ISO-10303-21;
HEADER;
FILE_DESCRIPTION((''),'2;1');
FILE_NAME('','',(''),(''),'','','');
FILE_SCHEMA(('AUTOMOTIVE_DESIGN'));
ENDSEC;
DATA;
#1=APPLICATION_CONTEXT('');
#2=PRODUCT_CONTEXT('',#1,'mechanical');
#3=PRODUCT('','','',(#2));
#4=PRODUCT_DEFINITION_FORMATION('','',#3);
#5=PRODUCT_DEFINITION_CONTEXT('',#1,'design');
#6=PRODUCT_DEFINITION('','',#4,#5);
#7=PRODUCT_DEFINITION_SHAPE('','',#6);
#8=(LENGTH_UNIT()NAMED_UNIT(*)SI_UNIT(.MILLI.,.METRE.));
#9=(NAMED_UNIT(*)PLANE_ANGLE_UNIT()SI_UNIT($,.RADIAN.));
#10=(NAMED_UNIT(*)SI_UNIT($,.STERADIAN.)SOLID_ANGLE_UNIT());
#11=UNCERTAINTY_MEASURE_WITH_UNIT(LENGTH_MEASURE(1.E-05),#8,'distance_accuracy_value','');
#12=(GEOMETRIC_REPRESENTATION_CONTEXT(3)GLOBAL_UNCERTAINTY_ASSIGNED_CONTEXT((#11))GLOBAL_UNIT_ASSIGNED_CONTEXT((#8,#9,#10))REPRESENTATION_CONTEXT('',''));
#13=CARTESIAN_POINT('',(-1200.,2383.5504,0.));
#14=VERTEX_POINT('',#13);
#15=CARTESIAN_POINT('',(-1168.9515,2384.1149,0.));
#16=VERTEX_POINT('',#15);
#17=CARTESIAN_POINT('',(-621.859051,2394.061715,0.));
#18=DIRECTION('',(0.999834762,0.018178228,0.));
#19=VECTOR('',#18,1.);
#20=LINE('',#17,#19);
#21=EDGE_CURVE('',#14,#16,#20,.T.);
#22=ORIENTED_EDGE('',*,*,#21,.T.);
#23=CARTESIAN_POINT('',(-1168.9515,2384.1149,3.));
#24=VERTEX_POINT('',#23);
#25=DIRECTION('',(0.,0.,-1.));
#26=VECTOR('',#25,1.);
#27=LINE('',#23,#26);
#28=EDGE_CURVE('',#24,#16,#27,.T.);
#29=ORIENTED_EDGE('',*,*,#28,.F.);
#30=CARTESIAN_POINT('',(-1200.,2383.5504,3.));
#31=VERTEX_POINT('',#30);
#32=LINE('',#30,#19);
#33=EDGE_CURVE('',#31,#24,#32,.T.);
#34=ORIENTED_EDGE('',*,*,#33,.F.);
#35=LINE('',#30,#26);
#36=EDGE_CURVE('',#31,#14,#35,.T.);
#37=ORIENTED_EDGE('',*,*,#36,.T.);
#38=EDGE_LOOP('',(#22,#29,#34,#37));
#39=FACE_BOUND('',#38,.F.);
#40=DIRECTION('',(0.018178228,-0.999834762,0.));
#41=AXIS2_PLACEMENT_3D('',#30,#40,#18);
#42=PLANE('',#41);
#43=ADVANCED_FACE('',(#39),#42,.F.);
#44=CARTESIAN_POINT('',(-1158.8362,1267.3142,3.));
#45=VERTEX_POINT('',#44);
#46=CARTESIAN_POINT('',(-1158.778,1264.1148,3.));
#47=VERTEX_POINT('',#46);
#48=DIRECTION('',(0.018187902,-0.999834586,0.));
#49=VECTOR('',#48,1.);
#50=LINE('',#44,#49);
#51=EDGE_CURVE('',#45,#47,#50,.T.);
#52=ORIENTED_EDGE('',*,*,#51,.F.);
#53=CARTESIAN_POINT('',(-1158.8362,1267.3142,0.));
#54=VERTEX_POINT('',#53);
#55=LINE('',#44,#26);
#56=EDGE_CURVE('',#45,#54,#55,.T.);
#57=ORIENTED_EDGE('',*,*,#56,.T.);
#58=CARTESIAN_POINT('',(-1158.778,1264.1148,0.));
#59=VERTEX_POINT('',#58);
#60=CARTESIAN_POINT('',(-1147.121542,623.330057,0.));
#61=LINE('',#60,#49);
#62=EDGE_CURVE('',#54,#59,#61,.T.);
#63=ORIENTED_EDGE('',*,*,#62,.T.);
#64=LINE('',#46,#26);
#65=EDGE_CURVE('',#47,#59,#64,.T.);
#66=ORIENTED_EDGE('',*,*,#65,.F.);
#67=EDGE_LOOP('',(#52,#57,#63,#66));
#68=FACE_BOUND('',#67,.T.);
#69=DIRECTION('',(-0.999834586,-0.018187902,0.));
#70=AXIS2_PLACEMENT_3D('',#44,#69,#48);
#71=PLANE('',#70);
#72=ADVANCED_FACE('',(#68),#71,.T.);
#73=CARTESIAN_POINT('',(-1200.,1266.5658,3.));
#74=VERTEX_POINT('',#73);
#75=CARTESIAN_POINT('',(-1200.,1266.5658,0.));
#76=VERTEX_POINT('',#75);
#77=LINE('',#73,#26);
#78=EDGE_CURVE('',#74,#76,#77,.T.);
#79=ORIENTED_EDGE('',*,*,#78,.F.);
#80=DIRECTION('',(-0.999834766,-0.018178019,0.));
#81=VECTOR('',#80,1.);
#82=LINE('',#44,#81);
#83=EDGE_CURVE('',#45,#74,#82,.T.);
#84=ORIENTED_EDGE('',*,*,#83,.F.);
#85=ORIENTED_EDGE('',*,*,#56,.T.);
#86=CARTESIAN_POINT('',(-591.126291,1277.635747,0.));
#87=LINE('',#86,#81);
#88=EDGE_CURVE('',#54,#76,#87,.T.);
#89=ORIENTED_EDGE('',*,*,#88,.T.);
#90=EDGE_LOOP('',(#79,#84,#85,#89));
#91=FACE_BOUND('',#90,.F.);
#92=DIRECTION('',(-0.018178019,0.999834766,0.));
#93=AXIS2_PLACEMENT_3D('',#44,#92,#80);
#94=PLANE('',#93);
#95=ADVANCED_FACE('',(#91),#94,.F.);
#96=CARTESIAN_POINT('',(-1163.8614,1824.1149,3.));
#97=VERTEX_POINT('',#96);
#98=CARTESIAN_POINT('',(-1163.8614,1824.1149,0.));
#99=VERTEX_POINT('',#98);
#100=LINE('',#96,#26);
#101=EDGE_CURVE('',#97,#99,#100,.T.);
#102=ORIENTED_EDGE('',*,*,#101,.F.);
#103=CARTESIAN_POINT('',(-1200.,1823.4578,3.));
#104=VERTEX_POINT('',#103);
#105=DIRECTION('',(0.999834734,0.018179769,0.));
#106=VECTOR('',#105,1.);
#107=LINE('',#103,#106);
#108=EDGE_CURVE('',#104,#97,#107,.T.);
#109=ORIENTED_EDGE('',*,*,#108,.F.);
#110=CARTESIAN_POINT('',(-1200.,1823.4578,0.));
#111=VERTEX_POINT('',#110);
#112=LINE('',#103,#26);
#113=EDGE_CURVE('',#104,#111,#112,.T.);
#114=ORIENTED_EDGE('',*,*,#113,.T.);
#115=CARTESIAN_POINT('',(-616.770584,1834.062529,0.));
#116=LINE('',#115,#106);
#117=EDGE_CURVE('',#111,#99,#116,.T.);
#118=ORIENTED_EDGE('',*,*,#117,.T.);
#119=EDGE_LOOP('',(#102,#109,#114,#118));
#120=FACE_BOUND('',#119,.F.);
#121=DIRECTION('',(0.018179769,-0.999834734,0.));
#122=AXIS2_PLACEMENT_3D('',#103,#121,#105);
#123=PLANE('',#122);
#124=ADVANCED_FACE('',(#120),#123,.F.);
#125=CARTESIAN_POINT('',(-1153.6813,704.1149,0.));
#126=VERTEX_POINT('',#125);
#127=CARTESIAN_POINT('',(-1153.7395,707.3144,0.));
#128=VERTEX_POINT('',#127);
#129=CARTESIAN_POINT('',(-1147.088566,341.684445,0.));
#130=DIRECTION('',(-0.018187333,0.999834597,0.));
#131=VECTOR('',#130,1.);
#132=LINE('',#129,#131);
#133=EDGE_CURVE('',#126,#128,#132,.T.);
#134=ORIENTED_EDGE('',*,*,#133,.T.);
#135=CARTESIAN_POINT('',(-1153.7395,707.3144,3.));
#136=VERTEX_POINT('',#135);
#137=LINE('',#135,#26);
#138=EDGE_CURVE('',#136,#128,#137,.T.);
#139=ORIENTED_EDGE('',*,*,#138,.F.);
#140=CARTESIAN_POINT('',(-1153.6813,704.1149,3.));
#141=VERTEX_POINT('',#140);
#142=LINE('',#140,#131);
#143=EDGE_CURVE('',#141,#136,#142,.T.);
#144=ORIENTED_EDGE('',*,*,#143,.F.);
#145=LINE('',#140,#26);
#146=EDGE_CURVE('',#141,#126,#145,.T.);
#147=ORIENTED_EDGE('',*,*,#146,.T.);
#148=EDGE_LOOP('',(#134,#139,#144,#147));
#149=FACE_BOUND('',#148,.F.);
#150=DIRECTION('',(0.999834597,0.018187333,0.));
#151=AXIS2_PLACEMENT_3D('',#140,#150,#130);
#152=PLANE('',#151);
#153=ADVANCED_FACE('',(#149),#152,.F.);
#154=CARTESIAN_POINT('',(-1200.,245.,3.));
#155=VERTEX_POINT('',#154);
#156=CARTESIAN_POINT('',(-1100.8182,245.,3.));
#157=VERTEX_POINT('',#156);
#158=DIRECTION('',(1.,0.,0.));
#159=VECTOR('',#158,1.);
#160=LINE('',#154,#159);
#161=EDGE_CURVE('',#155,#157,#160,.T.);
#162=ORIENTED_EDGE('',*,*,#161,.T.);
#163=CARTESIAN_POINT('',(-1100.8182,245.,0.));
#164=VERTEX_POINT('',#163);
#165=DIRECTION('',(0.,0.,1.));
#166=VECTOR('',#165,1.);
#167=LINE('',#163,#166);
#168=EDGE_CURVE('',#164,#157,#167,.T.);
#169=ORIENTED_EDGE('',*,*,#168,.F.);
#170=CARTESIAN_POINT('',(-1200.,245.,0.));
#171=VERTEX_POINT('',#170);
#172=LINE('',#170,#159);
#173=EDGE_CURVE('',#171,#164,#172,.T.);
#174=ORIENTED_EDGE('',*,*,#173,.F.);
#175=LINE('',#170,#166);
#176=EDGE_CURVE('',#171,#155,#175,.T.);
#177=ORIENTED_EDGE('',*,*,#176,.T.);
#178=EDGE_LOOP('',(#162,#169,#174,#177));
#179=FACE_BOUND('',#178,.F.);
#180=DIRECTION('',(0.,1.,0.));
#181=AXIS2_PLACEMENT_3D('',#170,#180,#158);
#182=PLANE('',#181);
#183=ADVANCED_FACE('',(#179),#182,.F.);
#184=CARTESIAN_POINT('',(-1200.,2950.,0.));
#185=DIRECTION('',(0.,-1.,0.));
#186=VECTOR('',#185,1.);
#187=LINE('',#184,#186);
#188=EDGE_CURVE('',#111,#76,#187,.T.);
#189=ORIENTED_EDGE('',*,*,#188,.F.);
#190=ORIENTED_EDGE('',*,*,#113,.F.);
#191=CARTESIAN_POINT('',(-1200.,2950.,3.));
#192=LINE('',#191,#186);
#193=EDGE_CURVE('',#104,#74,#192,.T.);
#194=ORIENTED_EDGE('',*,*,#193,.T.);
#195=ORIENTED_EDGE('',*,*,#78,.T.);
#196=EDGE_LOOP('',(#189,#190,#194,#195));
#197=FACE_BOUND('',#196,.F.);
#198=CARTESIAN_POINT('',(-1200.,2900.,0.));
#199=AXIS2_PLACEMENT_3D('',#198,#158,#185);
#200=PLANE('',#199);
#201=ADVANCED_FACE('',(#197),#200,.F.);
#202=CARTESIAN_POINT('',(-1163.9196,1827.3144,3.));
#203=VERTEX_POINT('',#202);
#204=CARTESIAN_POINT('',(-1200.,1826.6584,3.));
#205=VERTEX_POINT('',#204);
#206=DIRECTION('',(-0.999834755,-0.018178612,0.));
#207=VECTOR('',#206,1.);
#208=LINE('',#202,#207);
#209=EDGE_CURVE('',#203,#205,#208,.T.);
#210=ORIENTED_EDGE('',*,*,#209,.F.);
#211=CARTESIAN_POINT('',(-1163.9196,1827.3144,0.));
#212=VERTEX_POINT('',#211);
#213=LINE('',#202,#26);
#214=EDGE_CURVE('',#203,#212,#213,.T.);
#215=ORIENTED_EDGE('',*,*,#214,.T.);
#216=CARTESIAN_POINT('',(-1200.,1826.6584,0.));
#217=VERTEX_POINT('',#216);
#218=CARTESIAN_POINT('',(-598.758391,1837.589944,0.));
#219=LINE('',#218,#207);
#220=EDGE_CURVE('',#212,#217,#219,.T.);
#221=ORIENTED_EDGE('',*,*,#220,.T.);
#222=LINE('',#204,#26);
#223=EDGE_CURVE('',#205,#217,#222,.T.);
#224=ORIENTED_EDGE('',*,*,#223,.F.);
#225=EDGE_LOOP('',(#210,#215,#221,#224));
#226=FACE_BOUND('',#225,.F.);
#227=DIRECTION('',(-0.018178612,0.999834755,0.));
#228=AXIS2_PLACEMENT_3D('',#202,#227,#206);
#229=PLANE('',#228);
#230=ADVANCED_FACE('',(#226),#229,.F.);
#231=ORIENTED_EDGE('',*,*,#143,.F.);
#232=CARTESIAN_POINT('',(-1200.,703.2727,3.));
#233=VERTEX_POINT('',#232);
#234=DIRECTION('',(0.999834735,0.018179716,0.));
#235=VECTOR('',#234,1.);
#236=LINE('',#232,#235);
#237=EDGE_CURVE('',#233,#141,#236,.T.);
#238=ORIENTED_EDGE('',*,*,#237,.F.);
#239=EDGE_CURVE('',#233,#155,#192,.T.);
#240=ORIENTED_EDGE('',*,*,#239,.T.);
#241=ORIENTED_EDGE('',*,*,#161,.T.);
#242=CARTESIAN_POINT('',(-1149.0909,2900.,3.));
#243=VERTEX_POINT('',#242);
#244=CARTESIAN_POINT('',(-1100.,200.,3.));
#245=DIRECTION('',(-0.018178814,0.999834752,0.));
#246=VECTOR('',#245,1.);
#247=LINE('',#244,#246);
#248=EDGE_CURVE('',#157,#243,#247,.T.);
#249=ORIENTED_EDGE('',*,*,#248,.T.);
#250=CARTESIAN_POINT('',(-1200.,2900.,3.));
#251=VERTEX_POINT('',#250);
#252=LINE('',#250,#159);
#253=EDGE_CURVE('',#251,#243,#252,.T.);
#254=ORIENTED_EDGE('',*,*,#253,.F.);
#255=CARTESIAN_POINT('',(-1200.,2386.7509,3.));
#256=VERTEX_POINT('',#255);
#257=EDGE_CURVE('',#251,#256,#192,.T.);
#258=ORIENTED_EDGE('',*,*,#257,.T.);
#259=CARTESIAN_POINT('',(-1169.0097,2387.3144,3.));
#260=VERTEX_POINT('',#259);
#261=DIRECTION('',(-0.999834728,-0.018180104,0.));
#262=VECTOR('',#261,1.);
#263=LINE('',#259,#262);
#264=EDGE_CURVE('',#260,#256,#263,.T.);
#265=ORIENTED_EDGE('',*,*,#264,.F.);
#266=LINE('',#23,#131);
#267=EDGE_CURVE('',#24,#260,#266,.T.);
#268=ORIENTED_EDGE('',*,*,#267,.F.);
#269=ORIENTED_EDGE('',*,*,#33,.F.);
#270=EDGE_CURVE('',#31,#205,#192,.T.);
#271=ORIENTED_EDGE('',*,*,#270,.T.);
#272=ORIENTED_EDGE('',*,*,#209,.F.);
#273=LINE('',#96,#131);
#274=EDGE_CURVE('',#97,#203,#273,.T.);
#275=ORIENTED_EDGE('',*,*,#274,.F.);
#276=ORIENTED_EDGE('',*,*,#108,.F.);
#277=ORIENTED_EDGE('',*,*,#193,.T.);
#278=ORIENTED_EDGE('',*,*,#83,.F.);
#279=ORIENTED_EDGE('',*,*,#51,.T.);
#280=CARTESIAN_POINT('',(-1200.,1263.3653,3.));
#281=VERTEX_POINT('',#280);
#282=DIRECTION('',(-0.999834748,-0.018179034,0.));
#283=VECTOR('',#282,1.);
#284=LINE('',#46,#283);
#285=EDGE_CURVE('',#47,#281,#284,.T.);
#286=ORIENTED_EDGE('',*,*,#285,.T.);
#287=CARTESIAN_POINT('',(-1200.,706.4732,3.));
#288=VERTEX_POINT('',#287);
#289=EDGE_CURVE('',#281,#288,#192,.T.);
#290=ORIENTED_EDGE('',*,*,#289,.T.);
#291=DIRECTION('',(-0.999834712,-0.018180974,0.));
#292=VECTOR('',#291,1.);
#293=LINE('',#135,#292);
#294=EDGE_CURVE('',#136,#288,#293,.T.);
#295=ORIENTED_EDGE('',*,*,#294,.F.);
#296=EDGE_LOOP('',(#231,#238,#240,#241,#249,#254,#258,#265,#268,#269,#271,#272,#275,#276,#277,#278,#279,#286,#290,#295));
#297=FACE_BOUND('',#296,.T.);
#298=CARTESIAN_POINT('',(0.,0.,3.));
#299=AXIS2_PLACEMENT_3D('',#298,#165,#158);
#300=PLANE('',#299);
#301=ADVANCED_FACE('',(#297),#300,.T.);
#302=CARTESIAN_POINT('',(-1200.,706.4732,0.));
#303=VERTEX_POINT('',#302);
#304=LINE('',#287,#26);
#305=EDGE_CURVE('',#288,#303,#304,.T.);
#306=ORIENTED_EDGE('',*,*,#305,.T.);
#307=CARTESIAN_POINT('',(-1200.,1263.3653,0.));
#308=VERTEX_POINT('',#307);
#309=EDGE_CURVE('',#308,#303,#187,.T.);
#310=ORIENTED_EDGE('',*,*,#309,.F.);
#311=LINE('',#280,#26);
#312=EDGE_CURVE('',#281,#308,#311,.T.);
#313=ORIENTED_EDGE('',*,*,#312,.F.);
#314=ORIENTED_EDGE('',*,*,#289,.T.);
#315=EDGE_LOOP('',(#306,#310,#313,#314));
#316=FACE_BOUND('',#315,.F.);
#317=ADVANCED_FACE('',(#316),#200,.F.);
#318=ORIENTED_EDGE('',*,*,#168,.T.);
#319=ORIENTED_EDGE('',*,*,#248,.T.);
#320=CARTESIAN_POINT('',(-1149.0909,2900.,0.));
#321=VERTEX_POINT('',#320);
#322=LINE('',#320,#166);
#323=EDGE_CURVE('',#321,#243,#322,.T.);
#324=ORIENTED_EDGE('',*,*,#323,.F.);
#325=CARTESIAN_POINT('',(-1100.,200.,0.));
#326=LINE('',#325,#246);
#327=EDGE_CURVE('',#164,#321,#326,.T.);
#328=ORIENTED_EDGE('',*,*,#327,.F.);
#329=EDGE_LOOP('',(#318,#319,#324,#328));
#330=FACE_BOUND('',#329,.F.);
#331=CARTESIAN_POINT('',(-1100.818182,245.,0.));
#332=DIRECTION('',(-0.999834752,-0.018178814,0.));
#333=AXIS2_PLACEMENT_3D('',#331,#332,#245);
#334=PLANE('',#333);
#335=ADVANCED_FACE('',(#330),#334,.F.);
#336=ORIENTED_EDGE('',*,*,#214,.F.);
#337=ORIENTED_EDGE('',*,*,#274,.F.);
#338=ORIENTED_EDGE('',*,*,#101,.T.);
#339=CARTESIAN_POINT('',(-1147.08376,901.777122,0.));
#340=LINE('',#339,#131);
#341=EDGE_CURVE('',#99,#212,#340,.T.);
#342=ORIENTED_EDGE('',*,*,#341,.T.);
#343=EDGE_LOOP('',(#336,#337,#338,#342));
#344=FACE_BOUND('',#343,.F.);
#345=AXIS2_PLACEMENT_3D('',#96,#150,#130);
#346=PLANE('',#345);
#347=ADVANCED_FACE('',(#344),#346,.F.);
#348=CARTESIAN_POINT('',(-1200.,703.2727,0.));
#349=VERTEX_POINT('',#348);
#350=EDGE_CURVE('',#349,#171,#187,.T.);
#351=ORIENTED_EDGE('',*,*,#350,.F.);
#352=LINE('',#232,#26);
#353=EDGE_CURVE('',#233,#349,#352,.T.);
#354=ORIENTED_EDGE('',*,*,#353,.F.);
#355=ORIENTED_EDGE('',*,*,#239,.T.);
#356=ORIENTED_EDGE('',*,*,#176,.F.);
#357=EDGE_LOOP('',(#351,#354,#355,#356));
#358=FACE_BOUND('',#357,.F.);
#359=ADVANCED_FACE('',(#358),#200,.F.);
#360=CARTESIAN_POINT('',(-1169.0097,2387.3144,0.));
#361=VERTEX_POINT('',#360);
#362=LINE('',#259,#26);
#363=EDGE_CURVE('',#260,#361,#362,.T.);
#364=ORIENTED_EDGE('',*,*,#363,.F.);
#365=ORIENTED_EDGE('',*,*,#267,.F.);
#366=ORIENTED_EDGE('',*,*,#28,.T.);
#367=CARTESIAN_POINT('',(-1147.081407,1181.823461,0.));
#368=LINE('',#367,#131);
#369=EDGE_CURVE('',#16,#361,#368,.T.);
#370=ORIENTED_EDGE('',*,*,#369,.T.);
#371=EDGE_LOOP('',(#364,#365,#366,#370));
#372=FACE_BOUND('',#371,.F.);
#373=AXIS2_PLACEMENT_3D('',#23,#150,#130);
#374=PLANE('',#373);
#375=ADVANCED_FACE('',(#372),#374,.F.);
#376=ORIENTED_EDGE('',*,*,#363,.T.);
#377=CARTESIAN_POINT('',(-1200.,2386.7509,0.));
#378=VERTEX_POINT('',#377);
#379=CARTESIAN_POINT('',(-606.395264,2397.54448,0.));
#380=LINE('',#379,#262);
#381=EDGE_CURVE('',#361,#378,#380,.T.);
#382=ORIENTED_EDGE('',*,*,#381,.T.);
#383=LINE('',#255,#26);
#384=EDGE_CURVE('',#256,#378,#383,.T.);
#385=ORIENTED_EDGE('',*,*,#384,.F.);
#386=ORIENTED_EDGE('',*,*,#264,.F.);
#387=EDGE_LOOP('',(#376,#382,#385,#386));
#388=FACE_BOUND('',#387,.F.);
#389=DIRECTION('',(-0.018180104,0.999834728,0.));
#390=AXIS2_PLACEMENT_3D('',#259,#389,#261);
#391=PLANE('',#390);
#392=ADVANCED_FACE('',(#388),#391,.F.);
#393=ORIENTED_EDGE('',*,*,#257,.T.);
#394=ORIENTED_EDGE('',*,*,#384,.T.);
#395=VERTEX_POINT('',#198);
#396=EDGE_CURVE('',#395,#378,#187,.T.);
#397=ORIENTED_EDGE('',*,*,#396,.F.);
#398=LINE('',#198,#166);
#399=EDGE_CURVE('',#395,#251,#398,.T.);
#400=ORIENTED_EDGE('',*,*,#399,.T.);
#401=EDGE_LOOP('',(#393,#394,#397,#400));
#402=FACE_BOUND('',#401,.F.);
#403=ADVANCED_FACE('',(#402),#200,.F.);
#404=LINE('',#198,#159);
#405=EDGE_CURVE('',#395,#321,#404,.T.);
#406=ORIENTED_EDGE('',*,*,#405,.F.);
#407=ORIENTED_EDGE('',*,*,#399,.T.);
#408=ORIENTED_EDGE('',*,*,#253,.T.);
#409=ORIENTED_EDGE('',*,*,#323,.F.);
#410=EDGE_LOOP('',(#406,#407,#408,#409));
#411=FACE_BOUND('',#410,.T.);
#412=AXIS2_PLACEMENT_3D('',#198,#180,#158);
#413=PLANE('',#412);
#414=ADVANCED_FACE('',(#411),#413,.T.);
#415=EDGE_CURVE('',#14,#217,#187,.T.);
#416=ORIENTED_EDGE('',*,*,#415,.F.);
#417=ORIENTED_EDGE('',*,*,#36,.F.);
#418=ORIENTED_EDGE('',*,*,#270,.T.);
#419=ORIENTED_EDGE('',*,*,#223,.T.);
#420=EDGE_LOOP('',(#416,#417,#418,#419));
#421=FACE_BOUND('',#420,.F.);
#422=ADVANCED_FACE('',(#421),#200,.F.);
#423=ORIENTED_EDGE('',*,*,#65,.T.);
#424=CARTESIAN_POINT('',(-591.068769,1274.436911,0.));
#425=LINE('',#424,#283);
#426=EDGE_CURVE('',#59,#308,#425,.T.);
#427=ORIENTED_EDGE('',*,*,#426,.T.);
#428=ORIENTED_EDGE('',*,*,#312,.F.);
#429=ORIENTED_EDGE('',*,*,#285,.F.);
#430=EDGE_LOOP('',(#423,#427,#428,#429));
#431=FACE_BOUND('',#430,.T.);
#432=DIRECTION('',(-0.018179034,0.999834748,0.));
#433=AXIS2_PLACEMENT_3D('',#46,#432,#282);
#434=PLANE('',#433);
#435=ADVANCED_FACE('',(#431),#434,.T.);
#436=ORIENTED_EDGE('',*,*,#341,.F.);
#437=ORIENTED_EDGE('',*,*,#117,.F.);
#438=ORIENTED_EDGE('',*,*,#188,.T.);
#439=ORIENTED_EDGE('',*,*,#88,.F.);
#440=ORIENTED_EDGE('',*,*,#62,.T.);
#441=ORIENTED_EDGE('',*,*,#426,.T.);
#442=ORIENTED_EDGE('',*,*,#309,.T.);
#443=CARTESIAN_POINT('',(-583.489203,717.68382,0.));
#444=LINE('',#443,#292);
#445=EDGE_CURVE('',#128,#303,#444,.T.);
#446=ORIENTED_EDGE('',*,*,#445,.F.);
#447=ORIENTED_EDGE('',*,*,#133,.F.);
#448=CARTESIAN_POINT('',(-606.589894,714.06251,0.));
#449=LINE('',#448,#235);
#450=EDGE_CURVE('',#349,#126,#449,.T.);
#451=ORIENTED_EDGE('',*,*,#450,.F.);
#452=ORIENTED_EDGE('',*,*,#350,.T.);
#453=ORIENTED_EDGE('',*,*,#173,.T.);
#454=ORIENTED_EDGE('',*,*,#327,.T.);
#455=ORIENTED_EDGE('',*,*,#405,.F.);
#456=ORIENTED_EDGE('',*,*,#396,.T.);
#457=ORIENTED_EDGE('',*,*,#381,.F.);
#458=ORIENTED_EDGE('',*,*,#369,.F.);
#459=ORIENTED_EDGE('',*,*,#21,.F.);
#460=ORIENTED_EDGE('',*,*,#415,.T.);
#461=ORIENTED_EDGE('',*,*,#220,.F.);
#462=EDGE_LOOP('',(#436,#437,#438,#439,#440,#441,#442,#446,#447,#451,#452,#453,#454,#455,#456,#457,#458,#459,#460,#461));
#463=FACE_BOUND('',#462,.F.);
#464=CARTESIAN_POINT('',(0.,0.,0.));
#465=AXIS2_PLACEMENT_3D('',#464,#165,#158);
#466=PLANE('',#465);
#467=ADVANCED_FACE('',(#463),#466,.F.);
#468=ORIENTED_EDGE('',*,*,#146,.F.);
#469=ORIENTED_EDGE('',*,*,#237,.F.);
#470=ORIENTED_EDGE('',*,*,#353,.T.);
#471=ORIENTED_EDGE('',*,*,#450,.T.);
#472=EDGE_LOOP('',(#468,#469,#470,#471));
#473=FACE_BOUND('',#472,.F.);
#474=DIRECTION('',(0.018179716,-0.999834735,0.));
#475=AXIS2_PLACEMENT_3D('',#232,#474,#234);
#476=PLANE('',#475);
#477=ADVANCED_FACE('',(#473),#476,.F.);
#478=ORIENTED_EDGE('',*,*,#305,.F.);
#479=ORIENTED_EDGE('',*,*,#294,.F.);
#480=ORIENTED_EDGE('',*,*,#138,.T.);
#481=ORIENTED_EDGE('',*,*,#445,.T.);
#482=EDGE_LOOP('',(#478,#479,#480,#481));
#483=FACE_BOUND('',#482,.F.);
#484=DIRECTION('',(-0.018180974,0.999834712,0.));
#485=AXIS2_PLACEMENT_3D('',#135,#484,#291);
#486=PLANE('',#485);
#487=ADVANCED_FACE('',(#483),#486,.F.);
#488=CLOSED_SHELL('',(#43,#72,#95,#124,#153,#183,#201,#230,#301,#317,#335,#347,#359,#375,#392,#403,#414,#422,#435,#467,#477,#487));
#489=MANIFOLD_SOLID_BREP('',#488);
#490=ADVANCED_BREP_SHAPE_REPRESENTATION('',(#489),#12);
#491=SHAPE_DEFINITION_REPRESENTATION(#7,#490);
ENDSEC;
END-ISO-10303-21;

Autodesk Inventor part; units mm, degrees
ref_plane "YZ Plane" through (0, 0, 0) normal (1, 0, 0) x (0, 1, 0)
ref_plane "XZ Plane" through (0, 0, 0) normal (0, 1, 0) x (-1, 0, 0)
ref_plane "XY Plane" through (0, 0, 0) normal (0, 0, 1) x (1, 0, 0)
sketch "Sketch1" plane through (0, 0, 0) normal (0, 0, 1) x (1, 0, 0)
  line L0 (1200, 2950) -> (-1200, 2950)
  line L1 (-1200, 2950) -> (-1200, 0)
  line L2 (-1200, 0) -> (1200, 0)
  line L3 (1200, 0) -> (1200, 2950)
  line L4 (1150, 2950) -> (1150, 0)
  line L5 (-1150, 0) -> (-1150, 2950) construction
  line L6 (0, 2950) -> (0, 50) construction
  line L7 (-1100, 200) -> (-950, 50)
  line L8 (-1200, 100) -> (-1100, 100)
  line L9 (-1100, 100) -> (-1100, 0)
  line L10 (-1100, 200) -> (-1150, 2950)
  arc A0 (-1100.4545, 224.9959) -> (-1082.3223, 182.3223) centre (-1100, 200) ccw
  arc A1 (-1082.3223, 182.3223) -> (-1100.4545, 224.9959) centre (-1100, 200) ccw construction
  line L11 (-1200, 255) -> (-1101, 255) construction
  line L12 (0, 50) -> (-950, 50)
  line L13 (0, 50) -> (0, 0)
  line L14 (1505.3449, -225.894) -> (355.3449, -225.894)
  line L15 (-1200, 245) -> (-1100.8182, 245)
  line L16 (-1200, 2900) -> (-1149.0909, 2900)
  dimension "d3" = 2400
  dimension "d4" = 2950
  dimension "d5" = 50
  dimension "d6" = 100
  dimension "d7" = 50
  dimension "d9" = 135
  dimension "d10" = 950
  dimension "d11" = 1150
  dimension "d12" = 136.042
  dimension "d13" = 50
  dimension "d14" = 100
  dimension "d15" = 212.132
  dimension "d17" = 55
  dimension "d20" = 200
  dimension "d50" = 2705
  dimension "d53" = 50
extrude "Plate1" add sketch "Sketch1" along normal blind 3 contours L10 L15 L1 L16
sketch "Sketch2" plane through (0, 0, 3) normal (0, 0, 1) x (1, 0, 0)
  line L0 (-1149.0909, 2900) -> (-1100.8182, 245) projected
  line L1 (-1200, 245) -> (-1200, 2900) projected
  line L2 (-1100.8182, 245) -> (-1150, 2950) projected
  line L3 (-1158.8362, 1267.3142) -> (-1158.778, 1264.1148)
  line L4 (-1158.778, 1264.1148) -> (-1119.3606, 1264.8314) construction
  line L5 (-1150, 2950) -> (-1100.8182, 245) projected
  line L6 (-1158.778, 1264.1148) -> (-1200, 1263.3653)
  line L7 (-1158.8362, 1267.3142) -> (-1200, 1266.5658)
  line L8 (-1200, 703.2727) -> (-1153.6813, 704.1149)
  line L9 (-1153.6813, 704.1149) -> (-1153.7395, 707.3144)
  line L10 (-1153.6813, 704.1149) -> (-1109.1804, 704.924) construction
  line L11 (-1153.7395, 707.3144) -> (-1200, 706.4732)
  line L12 (-1200, 1823.4578) -> (-1163.8614, 1824.1149)
  line L13 (-1163.8614, 1824.1149) -> (-1163.9196, 1827.3144)
  line L14 (-1163.9196, 1827.3144) -> (-1200, 1826.6584)
  line L15 (-1163.8614, 1824.1149) -> (-1129.5407, 1824.7389) construction
  line L16 (-1200, 2383.5504) -> (-1168.9515, 2384.1149)
  line L17 (-1168.9515, 2384.1149) -> (-1169.0097, 2387.3144)
  line L18 (-1168.9515, 2384.1149) -> (-1139.7208, 2384.6464) construction
  line L19 (-1169.0097, 2387.3144) -> (-1200, 2386.7509)
  line L20 (-1100.8182, 245) -> (-1200, 245) projected
  line L21 (-1200, 2900) -> (-1149.0909, 2900) projected
  point P0 (0, 0)
  dimension "d34" = 46.3264
  dimension "d36" = 41.2288
  dimension "d39" = 36.1445
  dimension "d42" = 31.0536
  dimension "d43" = 560
  dimension "d44" = 3.2
  dimension "d45" = 560
  dimension "d46" = 3.2
  dimension "d47" = 560
  dimension "d48" = 3.2
  dimension "d49" = 3.2
  dimension "d52" = 460
extrude "Extrusion1" cut sketch "Sketch2" against normal through all contours L19 L17 L16 L1 | L1 L11 L9 L8 | L14 L13 L12 L1 | L1 L7 L3 L6
equation "\"d11\" = d10 + d18"
equation "\"d14\" = d6"
equation "\"d43\" = Stringer1_step"
equation "\"d45\" = Stringer1_step"
equation "\"d47\" = Stringer1_step"
equation "\"d52\" = Stringer1_hight"
equation "\"d2\" = Thickness"
equation "\"BendReliefWidth\" = Thickness"
equation "\"BendReliefDepth\" = 0.5 * Thickness"
equation "\"CornerReliefSize\" = 4 * Thickness"
equation "\"MinimumRemnant\" = 2 * Thickness"
equation "\"TransitionRadius\" = BendRadius"
equation "\"JacobiRadiusSize\" = BendRadius"
equation "\"GapSize\" = Thickness"
equation "\"d18\" = d19"
equation "\"Stringer1_step\" = 560"
equation "\"Stringer1_hight\" = 460"
equation "\"Thickness\" = 3"
equation "\"BendRadius\" = 5"
equation "\"d19\" = 200"
properties part number "BSH 022 rib board" material "09g2s"
